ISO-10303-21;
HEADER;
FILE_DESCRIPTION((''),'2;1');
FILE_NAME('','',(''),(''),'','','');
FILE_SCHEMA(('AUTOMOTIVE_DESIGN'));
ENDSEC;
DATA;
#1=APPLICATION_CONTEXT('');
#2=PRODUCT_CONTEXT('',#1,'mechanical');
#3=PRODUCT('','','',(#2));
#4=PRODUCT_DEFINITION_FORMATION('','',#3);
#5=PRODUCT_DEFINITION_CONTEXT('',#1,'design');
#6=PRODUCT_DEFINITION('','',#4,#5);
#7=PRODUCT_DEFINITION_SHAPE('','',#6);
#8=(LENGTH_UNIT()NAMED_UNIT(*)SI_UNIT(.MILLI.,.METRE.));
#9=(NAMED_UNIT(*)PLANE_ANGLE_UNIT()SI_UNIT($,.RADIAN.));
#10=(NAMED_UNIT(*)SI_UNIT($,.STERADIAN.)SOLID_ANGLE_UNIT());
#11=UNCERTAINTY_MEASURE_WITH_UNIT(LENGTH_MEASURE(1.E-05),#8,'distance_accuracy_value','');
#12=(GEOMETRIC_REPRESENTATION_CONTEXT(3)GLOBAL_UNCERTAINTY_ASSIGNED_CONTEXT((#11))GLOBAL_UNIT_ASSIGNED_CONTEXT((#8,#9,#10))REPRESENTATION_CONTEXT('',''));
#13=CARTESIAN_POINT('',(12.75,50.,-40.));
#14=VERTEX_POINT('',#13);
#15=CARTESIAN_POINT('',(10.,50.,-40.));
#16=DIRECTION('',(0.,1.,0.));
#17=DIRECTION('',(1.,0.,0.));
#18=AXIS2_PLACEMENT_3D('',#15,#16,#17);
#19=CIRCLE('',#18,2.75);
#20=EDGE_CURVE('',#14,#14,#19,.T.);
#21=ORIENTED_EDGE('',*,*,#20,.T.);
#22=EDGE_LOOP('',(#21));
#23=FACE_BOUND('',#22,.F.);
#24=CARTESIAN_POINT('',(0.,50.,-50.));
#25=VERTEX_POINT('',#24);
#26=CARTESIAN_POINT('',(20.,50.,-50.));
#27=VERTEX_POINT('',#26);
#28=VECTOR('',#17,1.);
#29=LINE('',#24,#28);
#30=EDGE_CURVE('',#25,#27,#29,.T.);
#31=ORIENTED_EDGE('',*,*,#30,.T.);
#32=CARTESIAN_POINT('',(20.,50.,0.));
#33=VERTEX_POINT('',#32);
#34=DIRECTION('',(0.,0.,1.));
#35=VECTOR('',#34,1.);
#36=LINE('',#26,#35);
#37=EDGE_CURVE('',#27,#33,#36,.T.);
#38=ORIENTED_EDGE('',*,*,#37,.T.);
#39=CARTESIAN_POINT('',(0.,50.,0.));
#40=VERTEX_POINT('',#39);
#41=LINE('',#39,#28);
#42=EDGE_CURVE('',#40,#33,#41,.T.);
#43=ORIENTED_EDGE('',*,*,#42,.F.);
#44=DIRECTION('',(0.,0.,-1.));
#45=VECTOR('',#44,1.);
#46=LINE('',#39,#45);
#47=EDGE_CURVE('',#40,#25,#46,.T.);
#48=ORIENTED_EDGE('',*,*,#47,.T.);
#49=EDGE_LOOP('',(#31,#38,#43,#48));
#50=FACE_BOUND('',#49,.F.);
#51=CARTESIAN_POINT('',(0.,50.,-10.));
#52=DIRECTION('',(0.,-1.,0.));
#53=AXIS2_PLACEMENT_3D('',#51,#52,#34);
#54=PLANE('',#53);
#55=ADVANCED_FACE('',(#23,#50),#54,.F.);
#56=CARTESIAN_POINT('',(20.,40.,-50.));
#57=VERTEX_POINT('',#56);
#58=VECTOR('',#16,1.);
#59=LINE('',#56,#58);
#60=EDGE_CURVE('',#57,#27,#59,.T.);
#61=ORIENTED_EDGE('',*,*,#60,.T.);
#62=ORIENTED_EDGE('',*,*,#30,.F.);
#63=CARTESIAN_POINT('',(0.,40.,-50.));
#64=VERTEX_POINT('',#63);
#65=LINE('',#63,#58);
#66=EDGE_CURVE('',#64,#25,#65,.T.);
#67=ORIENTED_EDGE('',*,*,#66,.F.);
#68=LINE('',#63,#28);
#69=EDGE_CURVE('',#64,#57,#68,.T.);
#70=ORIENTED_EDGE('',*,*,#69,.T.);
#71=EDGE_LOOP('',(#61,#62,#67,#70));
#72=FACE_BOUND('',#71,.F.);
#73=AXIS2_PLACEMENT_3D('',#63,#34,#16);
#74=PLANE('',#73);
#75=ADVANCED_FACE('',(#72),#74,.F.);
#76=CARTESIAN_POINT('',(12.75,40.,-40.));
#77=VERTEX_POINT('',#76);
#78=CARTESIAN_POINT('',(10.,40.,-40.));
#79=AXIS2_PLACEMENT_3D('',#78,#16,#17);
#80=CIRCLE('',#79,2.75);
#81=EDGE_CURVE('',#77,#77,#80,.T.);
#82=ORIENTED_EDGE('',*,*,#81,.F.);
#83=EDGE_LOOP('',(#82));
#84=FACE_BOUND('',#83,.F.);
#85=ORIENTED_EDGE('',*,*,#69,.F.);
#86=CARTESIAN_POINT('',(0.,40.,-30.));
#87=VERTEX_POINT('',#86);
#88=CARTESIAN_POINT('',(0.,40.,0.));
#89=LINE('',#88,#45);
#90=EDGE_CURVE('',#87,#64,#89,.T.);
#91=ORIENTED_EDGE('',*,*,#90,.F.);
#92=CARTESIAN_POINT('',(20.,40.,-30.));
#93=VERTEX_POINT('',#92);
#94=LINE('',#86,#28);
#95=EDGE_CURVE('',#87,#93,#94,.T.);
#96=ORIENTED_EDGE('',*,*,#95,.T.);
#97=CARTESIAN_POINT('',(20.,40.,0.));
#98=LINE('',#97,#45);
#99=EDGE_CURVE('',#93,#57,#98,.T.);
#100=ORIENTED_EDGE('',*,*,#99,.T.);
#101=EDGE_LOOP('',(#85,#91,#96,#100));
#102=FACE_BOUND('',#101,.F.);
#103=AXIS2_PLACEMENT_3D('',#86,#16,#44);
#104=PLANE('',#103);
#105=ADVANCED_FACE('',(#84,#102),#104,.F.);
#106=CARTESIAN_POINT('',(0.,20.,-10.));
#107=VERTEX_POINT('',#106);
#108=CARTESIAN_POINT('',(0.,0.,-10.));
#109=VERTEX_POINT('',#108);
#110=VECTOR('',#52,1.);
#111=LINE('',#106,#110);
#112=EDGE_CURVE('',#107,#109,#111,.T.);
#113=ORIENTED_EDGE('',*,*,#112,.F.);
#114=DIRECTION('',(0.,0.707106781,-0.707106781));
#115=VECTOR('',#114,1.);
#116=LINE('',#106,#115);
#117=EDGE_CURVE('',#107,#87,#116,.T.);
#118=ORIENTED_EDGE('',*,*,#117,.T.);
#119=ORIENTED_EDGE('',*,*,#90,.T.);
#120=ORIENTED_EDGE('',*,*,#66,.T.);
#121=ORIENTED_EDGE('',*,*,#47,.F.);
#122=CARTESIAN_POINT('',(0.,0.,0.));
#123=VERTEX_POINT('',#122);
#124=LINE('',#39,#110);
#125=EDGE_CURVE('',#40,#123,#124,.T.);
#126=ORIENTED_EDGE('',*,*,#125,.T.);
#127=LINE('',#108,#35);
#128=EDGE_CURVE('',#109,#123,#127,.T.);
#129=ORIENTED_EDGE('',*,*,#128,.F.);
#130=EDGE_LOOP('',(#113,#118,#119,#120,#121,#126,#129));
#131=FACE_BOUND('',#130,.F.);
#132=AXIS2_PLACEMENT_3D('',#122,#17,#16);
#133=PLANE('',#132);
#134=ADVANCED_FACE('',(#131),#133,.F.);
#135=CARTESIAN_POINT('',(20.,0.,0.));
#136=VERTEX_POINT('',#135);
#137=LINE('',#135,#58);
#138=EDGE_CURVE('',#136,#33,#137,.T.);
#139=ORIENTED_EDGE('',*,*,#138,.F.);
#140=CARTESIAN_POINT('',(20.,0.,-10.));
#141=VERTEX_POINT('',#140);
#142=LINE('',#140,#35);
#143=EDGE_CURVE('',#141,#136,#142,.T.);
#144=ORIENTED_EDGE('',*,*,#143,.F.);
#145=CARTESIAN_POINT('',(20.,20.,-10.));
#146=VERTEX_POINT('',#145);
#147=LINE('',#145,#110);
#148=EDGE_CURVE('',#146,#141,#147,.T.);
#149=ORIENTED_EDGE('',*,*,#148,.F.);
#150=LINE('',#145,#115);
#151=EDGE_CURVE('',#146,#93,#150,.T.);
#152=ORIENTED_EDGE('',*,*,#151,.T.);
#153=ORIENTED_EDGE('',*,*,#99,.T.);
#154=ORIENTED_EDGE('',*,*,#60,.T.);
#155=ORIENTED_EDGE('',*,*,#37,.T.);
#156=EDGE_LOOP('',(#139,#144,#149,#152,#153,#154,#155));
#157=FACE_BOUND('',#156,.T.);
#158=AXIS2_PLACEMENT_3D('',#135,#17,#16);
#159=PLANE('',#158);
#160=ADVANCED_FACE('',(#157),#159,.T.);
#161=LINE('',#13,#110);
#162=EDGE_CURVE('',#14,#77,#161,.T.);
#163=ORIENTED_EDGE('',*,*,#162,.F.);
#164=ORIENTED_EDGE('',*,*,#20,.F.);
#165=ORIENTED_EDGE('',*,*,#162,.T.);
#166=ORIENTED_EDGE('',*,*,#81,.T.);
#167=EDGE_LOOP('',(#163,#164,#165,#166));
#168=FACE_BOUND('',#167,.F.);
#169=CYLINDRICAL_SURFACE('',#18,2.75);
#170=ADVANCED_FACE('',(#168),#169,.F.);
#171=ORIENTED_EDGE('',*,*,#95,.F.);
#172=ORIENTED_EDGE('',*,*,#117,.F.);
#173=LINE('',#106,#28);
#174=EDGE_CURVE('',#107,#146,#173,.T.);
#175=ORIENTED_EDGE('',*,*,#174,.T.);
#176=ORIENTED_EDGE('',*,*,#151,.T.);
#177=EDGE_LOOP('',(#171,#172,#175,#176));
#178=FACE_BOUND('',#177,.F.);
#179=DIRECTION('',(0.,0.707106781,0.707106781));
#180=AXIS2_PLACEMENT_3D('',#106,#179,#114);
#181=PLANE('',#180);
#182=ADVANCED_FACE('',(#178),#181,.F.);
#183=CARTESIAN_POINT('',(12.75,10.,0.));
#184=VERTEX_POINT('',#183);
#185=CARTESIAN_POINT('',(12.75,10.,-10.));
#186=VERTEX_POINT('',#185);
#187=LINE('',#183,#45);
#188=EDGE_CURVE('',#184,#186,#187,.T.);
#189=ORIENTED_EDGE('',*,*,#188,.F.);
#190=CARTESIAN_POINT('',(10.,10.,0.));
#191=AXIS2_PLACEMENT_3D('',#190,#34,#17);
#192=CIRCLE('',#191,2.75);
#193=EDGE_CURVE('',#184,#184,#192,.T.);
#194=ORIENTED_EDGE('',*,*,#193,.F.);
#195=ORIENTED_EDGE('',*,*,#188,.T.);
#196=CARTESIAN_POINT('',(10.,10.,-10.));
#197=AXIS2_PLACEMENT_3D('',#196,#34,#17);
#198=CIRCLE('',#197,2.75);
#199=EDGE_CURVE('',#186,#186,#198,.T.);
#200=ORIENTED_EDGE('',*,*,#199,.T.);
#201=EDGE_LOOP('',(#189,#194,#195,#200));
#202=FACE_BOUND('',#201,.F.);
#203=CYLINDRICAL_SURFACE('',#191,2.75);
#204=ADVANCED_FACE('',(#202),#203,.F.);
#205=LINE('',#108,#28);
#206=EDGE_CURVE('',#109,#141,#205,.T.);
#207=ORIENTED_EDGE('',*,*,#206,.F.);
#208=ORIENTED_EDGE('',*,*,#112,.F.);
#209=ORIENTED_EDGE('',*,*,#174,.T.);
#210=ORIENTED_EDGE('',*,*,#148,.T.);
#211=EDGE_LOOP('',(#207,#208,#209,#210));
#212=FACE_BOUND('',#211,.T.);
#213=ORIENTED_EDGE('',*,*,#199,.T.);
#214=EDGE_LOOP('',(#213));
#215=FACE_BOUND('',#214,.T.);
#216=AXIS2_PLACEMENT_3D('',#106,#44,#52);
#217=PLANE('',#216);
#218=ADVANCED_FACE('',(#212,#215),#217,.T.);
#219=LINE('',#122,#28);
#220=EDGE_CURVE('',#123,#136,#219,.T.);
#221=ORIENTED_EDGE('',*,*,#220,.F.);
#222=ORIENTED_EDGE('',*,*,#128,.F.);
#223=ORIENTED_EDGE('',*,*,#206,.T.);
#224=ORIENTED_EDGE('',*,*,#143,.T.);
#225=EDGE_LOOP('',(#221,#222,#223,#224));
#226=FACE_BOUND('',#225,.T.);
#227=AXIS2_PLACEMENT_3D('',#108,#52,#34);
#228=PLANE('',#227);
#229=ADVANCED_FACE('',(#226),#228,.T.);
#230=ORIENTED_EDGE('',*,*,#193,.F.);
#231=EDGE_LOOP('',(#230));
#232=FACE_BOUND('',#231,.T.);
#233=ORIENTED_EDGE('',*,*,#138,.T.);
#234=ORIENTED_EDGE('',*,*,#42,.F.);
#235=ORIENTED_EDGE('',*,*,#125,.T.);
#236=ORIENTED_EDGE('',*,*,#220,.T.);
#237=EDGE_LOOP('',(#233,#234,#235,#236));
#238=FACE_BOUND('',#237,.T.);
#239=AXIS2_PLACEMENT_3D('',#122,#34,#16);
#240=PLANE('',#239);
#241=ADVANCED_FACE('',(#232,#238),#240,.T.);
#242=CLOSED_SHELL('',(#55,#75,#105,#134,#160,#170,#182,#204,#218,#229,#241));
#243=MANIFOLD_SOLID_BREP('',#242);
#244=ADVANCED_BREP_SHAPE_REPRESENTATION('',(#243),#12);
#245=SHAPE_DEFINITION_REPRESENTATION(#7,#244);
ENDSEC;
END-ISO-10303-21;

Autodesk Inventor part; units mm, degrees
ref_plane "YZ Plane" through (0, 0, 0) normal (1, 0, 0) x (0, 1, 0)
ref_plane "XZ Plane" through (0, 0, 0) normal (0, 1, 0) x (-1, 0, 0)
ref_plane "XY Plane" through (0, 0, 0) normal (0, 0, 1) x (1, 0, 0)
sketch "Sketch1" plane through (0, 0, 0) normal (1, 0, 0) x (0, 1, 0)
  line L0 (0, 0) -> (20, 0)
  line L1 (20, 0) -> (20, -10)
  line L2 (20, -10) -> (0, -10)
  line L3 (0, -10) -> (0, 0)
  line L4 (20, -10) -> (50, -10)
  line L5 (50, -10) -> (50, 0)
  line L6 (50, 0) -> (20, 0)
  line L7 (20, 0) -> (20, -10)
  line L8 (50, 0) -> (40, 0)
  line L9 (40, 0) -> (40, -50)
  line L10 (40, -50) -> (50, -50)
  line L11 (50, -50) -> (50, 0)
  line L12 (40, -50) -> (50, -50)
  line L13 (50, -50) -> (50, -30)
  line L14 (50, -30) -> (40, -30)
  line L15 (40, -30) -> (40, -50)
  line L16 (20, -10) -> (40, -30)
  line L17 (40, -10) -> (20, -10)
  line L18 (40, -10) -> (40, -30)
  dimension "d0" = 20
  dimension "d1" = 10
  dimension "d2" = 30
  dimension "d3" = 10
  dimension "d4" = 10
  dimension "d5" = 50
  dimension "d6" = 10
  dimension "d7" = 20
extrude "Extrusion1" add sketch "Sketch1" along normal blind 20
sketch "Sketch2" plane through (0, 50, 0) normal (0, 1, 0) x (1, 0, 0)
  circle A0 centre (10, 40) radius 2.75
  line L0 (20, 50) -> (20, 0) projected
  line L1 (0, 50) -> (20, 50) projected
  point P0 (0, 0)
  dimension "d10" = 5.5
  dimension "d11" = 10
  dimension "d12" = 10
extrude "Extrusion2" cut sketch "Sketch2" against normal blind 20
sketch "Sketch3" plane through (0, 0, 0) normal (0, 0, 1) x (1, 0, 0)
  circle A0 centre (10, 10) radius 2.75
  line L0 (0, 0) -> (20, 0) projected
  line L1 (20, 50) -> (20, 0) projected
  dimension "d15" = 5.5
  dimension "d16" = 10
  dimension "d17" = 10
extrude "Extrusion3" cut sketch "Sketch3" against normal blind 20
properties part number "Standard Bracing" material "Aluminum 6061"
